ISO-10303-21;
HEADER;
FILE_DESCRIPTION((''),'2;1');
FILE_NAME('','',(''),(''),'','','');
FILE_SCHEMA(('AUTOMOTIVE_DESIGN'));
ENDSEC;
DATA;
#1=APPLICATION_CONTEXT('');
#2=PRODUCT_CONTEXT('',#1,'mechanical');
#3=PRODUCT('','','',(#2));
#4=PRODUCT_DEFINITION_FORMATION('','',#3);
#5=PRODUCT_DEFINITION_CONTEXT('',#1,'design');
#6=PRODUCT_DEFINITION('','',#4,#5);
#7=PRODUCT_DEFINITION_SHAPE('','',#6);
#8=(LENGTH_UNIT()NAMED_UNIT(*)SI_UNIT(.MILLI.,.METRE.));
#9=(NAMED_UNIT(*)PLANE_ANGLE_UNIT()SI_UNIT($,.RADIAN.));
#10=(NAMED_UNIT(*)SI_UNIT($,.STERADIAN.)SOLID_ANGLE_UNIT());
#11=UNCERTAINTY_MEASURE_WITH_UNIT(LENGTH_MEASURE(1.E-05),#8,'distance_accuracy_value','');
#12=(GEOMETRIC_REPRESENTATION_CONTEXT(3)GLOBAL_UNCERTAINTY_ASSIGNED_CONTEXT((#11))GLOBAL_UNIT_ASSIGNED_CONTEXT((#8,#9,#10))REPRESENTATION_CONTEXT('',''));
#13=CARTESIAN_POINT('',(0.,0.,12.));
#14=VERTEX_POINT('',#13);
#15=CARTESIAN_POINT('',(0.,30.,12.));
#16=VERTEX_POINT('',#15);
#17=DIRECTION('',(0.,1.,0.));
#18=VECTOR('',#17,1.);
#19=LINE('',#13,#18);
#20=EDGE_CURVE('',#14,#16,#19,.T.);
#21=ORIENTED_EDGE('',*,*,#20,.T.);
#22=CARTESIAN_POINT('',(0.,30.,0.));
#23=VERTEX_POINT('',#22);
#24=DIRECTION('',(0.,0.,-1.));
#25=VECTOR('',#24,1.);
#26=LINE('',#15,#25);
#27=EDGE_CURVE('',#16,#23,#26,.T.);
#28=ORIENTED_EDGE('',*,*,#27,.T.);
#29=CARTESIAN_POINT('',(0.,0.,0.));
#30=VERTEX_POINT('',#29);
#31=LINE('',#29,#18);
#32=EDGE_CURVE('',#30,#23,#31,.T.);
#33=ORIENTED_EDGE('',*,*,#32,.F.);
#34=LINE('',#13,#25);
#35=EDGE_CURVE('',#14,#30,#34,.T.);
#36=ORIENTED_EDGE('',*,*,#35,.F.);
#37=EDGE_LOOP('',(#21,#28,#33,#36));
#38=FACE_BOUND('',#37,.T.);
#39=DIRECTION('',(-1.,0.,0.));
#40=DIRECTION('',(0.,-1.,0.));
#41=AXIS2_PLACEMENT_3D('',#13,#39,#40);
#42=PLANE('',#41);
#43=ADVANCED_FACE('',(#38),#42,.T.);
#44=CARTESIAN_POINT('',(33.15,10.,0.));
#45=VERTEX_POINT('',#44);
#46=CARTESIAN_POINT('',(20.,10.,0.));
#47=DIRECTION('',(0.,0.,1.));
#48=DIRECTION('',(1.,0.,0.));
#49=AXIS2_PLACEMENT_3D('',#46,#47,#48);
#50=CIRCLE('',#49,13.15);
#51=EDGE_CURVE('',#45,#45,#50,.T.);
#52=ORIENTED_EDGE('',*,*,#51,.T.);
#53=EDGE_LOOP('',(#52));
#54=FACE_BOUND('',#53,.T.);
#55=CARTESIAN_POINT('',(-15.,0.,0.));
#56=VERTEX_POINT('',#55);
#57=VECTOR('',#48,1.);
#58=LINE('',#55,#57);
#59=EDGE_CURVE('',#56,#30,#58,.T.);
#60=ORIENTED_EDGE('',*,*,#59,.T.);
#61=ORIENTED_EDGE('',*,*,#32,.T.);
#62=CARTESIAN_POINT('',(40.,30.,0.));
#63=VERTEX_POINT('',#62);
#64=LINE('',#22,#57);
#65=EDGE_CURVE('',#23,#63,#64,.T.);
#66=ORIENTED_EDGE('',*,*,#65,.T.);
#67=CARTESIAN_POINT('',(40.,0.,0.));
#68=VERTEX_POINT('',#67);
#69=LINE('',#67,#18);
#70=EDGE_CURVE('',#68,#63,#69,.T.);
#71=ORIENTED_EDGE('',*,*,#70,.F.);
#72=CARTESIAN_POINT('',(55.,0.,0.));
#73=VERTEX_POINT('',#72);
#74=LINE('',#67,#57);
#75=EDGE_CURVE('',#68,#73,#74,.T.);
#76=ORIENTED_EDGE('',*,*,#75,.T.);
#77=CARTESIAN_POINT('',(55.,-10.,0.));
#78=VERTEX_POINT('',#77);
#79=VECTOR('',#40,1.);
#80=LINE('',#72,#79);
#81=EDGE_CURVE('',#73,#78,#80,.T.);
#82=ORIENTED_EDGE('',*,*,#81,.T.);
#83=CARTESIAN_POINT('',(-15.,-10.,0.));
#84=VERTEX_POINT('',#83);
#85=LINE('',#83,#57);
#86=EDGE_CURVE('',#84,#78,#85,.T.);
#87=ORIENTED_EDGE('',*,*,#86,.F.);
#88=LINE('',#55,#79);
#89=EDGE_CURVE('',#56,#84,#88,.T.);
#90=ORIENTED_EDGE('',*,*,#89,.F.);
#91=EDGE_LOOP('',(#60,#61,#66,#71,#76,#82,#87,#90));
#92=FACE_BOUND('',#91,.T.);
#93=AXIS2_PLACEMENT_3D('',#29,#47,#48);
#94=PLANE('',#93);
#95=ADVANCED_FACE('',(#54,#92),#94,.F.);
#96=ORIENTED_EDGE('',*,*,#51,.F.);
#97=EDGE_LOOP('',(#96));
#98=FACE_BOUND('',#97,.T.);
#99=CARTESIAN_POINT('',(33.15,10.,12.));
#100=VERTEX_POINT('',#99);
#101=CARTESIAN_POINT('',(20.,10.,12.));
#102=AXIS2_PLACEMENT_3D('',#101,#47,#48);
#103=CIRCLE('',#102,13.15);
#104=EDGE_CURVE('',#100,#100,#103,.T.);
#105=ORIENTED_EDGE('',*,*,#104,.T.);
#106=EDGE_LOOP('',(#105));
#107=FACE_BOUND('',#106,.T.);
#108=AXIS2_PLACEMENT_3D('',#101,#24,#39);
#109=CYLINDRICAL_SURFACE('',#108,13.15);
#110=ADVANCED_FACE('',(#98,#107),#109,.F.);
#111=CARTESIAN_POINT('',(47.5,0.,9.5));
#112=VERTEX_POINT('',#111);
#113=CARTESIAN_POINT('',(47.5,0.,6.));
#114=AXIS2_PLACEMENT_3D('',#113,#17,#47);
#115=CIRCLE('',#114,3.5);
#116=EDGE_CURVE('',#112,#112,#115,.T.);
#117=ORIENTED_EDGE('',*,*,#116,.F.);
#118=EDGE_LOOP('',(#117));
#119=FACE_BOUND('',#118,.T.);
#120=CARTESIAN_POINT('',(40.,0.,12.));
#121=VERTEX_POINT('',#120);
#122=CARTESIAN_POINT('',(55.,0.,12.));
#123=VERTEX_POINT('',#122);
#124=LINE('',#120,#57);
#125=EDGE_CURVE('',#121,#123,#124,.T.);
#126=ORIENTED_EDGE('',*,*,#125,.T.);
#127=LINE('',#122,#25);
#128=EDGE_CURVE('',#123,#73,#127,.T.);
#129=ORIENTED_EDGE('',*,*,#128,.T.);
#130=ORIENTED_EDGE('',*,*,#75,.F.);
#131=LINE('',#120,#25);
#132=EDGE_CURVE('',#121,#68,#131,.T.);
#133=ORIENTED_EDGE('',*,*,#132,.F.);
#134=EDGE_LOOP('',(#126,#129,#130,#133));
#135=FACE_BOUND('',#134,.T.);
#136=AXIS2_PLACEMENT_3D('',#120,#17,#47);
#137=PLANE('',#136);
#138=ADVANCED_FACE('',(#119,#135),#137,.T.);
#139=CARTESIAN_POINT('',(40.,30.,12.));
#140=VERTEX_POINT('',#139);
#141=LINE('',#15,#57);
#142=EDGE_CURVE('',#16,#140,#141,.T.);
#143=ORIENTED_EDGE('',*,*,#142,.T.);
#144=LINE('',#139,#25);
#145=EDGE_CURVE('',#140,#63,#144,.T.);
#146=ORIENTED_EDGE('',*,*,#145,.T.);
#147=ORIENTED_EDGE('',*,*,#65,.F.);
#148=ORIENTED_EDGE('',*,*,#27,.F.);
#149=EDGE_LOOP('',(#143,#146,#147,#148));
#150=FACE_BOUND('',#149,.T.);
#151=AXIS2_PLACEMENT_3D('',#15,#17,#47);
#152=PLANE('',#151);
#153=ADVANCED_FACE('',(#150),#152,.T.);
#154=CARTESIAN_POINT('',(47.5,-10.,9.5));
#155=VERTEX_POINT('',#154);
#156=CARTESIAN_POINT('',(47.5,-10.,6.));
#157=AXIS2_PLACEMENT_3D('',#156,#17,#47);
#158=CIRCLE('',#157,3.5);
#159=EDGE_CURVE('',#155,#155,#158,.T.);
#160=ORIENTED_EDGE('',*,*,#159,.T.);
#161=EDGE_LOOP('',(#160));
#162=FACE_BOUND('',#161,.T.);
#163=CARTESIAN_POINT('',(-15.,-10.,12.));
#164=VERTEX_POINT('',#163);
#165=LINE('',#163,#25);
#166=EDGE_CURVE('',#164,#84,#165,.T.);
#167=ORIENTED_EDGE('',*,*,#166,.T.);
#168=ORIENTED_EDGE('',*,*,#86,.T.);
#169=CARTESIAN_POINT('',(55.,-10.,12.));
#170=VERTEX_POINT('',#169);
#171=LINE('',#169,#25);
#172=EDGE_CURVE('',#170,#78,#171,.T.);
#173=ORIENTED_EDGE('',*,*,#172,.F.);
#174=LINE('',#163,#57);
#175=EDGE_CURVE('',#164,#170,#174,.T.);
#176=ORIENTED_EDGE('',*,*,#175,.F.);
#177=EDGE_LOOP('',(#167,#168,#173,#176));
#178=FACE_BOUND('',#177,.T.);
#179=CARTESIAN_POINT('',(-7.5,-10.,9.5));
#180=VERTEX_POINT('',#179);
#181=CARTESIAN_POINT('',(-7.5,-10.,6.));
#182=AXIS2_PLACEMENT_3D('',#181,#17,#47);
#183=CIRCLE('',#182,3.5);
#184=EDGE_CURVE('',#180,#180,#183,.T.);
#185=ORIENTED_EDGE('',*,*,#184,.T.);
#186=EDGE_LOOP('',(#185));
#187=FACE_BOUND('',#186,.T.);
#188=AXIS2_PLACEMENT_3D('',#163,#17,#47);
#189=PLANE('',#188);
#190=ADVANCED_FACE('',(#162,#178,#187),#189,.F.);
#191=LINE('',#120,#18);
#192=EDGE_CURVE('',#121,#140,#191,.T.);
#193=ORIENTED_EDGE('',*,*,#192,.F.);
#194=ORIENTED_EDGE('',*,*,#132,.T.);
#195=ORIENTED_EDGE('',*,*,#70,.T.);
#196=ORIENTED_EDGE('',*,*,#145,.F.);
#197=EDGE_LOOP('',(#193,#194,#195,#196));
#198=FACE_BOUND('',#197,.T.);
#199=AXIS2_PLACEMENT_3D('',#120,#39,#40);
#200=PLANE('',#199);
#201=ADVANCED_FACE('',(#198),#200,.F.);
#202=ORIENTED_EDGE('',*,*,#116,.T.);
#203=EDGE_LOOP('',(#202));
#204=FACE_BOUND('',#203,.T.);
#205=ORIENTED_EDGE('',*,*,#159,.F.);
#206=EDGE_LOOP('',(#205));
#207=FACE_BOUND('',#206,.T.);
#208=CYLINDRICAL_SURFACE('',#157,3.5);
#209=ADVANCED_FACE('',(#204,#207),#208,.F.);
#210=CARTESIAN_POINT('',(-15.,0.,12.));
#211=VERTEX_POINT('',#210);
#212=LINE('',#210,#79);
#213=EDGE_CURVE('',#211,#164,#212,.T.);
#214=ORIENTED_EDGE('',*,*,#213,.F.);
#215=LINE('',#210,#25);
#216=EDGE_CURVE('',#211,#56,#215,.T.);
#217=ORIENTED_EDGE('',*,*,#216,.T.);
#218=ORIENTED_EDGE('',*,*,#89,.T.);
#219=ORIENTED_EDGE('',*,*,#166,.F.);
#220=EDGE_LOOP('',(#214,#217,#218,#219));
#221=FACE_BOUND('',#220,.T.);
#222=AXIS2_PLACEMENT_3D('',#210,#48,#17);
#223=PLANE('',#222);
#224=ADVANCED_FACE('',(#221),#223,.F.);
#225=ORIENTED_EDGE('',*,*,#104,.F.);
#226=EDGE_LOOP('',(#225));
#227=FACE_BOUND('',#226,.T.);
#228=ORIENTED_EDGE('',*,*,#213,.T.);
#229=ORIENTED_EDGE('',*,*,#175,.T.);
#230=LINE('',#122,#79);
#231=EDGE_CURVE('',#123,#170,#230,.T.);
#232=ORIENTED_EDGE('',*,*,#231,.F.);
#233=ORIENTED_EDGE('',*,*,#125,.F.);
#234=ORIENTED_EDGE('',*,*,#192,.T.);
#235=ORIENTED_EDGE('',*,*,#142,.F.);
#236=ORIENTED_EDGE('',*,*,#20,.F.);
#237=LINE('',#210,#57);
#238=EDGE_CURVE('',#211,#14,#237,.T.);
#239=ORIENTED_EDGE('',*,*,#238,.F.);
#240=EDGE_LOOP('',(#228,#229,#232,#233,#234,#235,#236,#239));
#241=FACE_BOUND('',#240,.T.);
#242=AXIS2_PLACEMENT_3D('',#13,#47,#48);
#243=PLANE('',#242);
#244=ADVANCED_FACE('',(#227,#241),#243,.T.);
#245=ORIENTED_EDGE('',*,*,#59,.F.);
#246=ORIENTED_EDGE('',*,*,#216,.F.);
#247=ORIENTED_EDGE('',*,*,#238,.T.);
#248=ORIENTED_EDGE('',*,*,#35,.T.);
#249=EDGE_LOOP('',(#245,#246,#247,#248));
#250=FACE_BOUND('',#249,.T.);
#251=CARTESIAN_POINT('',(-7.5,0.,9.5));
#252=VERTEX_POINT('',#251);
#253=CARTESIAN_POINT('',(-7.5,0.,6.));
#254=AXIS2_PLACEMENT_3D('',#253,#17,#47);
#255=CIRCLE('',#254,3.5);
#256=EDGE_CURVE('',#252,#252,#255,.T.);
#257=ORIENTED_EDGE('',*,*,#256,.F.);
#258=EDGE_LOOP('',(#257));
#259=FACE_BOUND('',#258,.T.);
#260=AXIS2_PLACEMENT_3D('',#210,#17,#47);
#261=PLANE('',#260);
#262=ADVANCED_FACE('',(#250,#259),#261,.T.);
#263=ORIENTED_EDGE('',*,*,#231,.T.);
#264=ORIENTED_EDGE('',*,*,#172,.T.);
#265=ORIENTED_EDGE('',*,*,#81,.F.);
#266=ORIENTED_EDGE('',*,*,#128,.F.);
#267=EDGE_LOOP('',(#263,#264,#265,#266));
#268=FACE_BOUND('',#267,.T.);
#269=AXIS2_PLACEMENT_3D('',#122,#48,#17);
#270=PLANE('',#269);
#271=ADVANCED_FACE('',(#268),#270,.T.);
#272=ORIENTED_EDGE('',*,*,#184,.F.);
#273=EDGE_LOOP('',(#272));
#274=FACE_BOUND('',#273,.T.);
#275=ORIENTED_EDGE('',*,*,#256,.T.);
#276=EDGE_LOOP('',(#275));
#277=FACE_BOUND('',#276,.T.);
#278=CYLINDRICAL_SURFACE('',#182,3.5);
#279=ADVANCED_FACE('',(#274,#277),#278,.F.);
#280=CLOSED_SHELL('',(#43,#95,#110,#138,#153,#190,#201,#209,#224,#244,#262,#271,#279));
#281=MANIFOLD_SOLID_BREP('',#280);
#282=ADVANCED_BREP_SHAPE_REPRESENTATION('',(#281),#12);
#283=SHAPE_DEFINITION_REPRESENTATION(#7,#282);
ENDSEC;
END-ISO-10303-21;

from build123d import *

# Parameters (mm, degrees)
SKETCH_1_R          = 13.15
EXTRUDE_1_DEPTH     = 12
SKETCH_2_R          = 3.5
CUT_EXTRUDE_2_DEPTH = 64.788713735
SKETCH_3_R          = 3.5
CUT_EXTRUDE_3_DEPTH = 64.788713735


with BuildPart() as part:
    # 草圖1 → 填料-伸長1 (new body)
    with BuildSketch(Plane.XY):
        Polygon((40, 0), (55, 0), (55, -10), (-15, -10), (-15, 0), (0, 0), (0, 30), (40, 30), align=None)
        with Locations((20, 10)):
            Circle(SKETCH_1_R, mode=Mode.SUBTRACT)
    extrude(amount=EXTRUDE_1_DEPTH)

    # 草圖2 → 除料-伸長2 (cut, through all)
    with BuildSketch(Plane(origin=(0, 0, 0), x_dir=(1, 0, 0), z_dir=(0, 1, 0))):
        with Locations(Location((47.5, -6, 0), (0, 0, 270))):
            Circle(SKETCH_2_R)
    extrude(amount=-CUT_EXTRUDE_2_DEPTH, mode=Mode.SUBTRACT)

    # 草圖3 → 除料-伸長3 (cut, through all)
    with BuildSketch(Plane(origin=(0, 0, 0), x_dir=(1, 0, 0), z_dir=(0, 1, 0))):
        with Locations(Location((-7.5, -6, 0), (0, 0, 270))):
            Circle(SKETCH_3_R)
    extrude(amount=-CUT_EXTRUDE_3_DEPTH, mode=Mode.SUBTRACT)


solid = part.part
